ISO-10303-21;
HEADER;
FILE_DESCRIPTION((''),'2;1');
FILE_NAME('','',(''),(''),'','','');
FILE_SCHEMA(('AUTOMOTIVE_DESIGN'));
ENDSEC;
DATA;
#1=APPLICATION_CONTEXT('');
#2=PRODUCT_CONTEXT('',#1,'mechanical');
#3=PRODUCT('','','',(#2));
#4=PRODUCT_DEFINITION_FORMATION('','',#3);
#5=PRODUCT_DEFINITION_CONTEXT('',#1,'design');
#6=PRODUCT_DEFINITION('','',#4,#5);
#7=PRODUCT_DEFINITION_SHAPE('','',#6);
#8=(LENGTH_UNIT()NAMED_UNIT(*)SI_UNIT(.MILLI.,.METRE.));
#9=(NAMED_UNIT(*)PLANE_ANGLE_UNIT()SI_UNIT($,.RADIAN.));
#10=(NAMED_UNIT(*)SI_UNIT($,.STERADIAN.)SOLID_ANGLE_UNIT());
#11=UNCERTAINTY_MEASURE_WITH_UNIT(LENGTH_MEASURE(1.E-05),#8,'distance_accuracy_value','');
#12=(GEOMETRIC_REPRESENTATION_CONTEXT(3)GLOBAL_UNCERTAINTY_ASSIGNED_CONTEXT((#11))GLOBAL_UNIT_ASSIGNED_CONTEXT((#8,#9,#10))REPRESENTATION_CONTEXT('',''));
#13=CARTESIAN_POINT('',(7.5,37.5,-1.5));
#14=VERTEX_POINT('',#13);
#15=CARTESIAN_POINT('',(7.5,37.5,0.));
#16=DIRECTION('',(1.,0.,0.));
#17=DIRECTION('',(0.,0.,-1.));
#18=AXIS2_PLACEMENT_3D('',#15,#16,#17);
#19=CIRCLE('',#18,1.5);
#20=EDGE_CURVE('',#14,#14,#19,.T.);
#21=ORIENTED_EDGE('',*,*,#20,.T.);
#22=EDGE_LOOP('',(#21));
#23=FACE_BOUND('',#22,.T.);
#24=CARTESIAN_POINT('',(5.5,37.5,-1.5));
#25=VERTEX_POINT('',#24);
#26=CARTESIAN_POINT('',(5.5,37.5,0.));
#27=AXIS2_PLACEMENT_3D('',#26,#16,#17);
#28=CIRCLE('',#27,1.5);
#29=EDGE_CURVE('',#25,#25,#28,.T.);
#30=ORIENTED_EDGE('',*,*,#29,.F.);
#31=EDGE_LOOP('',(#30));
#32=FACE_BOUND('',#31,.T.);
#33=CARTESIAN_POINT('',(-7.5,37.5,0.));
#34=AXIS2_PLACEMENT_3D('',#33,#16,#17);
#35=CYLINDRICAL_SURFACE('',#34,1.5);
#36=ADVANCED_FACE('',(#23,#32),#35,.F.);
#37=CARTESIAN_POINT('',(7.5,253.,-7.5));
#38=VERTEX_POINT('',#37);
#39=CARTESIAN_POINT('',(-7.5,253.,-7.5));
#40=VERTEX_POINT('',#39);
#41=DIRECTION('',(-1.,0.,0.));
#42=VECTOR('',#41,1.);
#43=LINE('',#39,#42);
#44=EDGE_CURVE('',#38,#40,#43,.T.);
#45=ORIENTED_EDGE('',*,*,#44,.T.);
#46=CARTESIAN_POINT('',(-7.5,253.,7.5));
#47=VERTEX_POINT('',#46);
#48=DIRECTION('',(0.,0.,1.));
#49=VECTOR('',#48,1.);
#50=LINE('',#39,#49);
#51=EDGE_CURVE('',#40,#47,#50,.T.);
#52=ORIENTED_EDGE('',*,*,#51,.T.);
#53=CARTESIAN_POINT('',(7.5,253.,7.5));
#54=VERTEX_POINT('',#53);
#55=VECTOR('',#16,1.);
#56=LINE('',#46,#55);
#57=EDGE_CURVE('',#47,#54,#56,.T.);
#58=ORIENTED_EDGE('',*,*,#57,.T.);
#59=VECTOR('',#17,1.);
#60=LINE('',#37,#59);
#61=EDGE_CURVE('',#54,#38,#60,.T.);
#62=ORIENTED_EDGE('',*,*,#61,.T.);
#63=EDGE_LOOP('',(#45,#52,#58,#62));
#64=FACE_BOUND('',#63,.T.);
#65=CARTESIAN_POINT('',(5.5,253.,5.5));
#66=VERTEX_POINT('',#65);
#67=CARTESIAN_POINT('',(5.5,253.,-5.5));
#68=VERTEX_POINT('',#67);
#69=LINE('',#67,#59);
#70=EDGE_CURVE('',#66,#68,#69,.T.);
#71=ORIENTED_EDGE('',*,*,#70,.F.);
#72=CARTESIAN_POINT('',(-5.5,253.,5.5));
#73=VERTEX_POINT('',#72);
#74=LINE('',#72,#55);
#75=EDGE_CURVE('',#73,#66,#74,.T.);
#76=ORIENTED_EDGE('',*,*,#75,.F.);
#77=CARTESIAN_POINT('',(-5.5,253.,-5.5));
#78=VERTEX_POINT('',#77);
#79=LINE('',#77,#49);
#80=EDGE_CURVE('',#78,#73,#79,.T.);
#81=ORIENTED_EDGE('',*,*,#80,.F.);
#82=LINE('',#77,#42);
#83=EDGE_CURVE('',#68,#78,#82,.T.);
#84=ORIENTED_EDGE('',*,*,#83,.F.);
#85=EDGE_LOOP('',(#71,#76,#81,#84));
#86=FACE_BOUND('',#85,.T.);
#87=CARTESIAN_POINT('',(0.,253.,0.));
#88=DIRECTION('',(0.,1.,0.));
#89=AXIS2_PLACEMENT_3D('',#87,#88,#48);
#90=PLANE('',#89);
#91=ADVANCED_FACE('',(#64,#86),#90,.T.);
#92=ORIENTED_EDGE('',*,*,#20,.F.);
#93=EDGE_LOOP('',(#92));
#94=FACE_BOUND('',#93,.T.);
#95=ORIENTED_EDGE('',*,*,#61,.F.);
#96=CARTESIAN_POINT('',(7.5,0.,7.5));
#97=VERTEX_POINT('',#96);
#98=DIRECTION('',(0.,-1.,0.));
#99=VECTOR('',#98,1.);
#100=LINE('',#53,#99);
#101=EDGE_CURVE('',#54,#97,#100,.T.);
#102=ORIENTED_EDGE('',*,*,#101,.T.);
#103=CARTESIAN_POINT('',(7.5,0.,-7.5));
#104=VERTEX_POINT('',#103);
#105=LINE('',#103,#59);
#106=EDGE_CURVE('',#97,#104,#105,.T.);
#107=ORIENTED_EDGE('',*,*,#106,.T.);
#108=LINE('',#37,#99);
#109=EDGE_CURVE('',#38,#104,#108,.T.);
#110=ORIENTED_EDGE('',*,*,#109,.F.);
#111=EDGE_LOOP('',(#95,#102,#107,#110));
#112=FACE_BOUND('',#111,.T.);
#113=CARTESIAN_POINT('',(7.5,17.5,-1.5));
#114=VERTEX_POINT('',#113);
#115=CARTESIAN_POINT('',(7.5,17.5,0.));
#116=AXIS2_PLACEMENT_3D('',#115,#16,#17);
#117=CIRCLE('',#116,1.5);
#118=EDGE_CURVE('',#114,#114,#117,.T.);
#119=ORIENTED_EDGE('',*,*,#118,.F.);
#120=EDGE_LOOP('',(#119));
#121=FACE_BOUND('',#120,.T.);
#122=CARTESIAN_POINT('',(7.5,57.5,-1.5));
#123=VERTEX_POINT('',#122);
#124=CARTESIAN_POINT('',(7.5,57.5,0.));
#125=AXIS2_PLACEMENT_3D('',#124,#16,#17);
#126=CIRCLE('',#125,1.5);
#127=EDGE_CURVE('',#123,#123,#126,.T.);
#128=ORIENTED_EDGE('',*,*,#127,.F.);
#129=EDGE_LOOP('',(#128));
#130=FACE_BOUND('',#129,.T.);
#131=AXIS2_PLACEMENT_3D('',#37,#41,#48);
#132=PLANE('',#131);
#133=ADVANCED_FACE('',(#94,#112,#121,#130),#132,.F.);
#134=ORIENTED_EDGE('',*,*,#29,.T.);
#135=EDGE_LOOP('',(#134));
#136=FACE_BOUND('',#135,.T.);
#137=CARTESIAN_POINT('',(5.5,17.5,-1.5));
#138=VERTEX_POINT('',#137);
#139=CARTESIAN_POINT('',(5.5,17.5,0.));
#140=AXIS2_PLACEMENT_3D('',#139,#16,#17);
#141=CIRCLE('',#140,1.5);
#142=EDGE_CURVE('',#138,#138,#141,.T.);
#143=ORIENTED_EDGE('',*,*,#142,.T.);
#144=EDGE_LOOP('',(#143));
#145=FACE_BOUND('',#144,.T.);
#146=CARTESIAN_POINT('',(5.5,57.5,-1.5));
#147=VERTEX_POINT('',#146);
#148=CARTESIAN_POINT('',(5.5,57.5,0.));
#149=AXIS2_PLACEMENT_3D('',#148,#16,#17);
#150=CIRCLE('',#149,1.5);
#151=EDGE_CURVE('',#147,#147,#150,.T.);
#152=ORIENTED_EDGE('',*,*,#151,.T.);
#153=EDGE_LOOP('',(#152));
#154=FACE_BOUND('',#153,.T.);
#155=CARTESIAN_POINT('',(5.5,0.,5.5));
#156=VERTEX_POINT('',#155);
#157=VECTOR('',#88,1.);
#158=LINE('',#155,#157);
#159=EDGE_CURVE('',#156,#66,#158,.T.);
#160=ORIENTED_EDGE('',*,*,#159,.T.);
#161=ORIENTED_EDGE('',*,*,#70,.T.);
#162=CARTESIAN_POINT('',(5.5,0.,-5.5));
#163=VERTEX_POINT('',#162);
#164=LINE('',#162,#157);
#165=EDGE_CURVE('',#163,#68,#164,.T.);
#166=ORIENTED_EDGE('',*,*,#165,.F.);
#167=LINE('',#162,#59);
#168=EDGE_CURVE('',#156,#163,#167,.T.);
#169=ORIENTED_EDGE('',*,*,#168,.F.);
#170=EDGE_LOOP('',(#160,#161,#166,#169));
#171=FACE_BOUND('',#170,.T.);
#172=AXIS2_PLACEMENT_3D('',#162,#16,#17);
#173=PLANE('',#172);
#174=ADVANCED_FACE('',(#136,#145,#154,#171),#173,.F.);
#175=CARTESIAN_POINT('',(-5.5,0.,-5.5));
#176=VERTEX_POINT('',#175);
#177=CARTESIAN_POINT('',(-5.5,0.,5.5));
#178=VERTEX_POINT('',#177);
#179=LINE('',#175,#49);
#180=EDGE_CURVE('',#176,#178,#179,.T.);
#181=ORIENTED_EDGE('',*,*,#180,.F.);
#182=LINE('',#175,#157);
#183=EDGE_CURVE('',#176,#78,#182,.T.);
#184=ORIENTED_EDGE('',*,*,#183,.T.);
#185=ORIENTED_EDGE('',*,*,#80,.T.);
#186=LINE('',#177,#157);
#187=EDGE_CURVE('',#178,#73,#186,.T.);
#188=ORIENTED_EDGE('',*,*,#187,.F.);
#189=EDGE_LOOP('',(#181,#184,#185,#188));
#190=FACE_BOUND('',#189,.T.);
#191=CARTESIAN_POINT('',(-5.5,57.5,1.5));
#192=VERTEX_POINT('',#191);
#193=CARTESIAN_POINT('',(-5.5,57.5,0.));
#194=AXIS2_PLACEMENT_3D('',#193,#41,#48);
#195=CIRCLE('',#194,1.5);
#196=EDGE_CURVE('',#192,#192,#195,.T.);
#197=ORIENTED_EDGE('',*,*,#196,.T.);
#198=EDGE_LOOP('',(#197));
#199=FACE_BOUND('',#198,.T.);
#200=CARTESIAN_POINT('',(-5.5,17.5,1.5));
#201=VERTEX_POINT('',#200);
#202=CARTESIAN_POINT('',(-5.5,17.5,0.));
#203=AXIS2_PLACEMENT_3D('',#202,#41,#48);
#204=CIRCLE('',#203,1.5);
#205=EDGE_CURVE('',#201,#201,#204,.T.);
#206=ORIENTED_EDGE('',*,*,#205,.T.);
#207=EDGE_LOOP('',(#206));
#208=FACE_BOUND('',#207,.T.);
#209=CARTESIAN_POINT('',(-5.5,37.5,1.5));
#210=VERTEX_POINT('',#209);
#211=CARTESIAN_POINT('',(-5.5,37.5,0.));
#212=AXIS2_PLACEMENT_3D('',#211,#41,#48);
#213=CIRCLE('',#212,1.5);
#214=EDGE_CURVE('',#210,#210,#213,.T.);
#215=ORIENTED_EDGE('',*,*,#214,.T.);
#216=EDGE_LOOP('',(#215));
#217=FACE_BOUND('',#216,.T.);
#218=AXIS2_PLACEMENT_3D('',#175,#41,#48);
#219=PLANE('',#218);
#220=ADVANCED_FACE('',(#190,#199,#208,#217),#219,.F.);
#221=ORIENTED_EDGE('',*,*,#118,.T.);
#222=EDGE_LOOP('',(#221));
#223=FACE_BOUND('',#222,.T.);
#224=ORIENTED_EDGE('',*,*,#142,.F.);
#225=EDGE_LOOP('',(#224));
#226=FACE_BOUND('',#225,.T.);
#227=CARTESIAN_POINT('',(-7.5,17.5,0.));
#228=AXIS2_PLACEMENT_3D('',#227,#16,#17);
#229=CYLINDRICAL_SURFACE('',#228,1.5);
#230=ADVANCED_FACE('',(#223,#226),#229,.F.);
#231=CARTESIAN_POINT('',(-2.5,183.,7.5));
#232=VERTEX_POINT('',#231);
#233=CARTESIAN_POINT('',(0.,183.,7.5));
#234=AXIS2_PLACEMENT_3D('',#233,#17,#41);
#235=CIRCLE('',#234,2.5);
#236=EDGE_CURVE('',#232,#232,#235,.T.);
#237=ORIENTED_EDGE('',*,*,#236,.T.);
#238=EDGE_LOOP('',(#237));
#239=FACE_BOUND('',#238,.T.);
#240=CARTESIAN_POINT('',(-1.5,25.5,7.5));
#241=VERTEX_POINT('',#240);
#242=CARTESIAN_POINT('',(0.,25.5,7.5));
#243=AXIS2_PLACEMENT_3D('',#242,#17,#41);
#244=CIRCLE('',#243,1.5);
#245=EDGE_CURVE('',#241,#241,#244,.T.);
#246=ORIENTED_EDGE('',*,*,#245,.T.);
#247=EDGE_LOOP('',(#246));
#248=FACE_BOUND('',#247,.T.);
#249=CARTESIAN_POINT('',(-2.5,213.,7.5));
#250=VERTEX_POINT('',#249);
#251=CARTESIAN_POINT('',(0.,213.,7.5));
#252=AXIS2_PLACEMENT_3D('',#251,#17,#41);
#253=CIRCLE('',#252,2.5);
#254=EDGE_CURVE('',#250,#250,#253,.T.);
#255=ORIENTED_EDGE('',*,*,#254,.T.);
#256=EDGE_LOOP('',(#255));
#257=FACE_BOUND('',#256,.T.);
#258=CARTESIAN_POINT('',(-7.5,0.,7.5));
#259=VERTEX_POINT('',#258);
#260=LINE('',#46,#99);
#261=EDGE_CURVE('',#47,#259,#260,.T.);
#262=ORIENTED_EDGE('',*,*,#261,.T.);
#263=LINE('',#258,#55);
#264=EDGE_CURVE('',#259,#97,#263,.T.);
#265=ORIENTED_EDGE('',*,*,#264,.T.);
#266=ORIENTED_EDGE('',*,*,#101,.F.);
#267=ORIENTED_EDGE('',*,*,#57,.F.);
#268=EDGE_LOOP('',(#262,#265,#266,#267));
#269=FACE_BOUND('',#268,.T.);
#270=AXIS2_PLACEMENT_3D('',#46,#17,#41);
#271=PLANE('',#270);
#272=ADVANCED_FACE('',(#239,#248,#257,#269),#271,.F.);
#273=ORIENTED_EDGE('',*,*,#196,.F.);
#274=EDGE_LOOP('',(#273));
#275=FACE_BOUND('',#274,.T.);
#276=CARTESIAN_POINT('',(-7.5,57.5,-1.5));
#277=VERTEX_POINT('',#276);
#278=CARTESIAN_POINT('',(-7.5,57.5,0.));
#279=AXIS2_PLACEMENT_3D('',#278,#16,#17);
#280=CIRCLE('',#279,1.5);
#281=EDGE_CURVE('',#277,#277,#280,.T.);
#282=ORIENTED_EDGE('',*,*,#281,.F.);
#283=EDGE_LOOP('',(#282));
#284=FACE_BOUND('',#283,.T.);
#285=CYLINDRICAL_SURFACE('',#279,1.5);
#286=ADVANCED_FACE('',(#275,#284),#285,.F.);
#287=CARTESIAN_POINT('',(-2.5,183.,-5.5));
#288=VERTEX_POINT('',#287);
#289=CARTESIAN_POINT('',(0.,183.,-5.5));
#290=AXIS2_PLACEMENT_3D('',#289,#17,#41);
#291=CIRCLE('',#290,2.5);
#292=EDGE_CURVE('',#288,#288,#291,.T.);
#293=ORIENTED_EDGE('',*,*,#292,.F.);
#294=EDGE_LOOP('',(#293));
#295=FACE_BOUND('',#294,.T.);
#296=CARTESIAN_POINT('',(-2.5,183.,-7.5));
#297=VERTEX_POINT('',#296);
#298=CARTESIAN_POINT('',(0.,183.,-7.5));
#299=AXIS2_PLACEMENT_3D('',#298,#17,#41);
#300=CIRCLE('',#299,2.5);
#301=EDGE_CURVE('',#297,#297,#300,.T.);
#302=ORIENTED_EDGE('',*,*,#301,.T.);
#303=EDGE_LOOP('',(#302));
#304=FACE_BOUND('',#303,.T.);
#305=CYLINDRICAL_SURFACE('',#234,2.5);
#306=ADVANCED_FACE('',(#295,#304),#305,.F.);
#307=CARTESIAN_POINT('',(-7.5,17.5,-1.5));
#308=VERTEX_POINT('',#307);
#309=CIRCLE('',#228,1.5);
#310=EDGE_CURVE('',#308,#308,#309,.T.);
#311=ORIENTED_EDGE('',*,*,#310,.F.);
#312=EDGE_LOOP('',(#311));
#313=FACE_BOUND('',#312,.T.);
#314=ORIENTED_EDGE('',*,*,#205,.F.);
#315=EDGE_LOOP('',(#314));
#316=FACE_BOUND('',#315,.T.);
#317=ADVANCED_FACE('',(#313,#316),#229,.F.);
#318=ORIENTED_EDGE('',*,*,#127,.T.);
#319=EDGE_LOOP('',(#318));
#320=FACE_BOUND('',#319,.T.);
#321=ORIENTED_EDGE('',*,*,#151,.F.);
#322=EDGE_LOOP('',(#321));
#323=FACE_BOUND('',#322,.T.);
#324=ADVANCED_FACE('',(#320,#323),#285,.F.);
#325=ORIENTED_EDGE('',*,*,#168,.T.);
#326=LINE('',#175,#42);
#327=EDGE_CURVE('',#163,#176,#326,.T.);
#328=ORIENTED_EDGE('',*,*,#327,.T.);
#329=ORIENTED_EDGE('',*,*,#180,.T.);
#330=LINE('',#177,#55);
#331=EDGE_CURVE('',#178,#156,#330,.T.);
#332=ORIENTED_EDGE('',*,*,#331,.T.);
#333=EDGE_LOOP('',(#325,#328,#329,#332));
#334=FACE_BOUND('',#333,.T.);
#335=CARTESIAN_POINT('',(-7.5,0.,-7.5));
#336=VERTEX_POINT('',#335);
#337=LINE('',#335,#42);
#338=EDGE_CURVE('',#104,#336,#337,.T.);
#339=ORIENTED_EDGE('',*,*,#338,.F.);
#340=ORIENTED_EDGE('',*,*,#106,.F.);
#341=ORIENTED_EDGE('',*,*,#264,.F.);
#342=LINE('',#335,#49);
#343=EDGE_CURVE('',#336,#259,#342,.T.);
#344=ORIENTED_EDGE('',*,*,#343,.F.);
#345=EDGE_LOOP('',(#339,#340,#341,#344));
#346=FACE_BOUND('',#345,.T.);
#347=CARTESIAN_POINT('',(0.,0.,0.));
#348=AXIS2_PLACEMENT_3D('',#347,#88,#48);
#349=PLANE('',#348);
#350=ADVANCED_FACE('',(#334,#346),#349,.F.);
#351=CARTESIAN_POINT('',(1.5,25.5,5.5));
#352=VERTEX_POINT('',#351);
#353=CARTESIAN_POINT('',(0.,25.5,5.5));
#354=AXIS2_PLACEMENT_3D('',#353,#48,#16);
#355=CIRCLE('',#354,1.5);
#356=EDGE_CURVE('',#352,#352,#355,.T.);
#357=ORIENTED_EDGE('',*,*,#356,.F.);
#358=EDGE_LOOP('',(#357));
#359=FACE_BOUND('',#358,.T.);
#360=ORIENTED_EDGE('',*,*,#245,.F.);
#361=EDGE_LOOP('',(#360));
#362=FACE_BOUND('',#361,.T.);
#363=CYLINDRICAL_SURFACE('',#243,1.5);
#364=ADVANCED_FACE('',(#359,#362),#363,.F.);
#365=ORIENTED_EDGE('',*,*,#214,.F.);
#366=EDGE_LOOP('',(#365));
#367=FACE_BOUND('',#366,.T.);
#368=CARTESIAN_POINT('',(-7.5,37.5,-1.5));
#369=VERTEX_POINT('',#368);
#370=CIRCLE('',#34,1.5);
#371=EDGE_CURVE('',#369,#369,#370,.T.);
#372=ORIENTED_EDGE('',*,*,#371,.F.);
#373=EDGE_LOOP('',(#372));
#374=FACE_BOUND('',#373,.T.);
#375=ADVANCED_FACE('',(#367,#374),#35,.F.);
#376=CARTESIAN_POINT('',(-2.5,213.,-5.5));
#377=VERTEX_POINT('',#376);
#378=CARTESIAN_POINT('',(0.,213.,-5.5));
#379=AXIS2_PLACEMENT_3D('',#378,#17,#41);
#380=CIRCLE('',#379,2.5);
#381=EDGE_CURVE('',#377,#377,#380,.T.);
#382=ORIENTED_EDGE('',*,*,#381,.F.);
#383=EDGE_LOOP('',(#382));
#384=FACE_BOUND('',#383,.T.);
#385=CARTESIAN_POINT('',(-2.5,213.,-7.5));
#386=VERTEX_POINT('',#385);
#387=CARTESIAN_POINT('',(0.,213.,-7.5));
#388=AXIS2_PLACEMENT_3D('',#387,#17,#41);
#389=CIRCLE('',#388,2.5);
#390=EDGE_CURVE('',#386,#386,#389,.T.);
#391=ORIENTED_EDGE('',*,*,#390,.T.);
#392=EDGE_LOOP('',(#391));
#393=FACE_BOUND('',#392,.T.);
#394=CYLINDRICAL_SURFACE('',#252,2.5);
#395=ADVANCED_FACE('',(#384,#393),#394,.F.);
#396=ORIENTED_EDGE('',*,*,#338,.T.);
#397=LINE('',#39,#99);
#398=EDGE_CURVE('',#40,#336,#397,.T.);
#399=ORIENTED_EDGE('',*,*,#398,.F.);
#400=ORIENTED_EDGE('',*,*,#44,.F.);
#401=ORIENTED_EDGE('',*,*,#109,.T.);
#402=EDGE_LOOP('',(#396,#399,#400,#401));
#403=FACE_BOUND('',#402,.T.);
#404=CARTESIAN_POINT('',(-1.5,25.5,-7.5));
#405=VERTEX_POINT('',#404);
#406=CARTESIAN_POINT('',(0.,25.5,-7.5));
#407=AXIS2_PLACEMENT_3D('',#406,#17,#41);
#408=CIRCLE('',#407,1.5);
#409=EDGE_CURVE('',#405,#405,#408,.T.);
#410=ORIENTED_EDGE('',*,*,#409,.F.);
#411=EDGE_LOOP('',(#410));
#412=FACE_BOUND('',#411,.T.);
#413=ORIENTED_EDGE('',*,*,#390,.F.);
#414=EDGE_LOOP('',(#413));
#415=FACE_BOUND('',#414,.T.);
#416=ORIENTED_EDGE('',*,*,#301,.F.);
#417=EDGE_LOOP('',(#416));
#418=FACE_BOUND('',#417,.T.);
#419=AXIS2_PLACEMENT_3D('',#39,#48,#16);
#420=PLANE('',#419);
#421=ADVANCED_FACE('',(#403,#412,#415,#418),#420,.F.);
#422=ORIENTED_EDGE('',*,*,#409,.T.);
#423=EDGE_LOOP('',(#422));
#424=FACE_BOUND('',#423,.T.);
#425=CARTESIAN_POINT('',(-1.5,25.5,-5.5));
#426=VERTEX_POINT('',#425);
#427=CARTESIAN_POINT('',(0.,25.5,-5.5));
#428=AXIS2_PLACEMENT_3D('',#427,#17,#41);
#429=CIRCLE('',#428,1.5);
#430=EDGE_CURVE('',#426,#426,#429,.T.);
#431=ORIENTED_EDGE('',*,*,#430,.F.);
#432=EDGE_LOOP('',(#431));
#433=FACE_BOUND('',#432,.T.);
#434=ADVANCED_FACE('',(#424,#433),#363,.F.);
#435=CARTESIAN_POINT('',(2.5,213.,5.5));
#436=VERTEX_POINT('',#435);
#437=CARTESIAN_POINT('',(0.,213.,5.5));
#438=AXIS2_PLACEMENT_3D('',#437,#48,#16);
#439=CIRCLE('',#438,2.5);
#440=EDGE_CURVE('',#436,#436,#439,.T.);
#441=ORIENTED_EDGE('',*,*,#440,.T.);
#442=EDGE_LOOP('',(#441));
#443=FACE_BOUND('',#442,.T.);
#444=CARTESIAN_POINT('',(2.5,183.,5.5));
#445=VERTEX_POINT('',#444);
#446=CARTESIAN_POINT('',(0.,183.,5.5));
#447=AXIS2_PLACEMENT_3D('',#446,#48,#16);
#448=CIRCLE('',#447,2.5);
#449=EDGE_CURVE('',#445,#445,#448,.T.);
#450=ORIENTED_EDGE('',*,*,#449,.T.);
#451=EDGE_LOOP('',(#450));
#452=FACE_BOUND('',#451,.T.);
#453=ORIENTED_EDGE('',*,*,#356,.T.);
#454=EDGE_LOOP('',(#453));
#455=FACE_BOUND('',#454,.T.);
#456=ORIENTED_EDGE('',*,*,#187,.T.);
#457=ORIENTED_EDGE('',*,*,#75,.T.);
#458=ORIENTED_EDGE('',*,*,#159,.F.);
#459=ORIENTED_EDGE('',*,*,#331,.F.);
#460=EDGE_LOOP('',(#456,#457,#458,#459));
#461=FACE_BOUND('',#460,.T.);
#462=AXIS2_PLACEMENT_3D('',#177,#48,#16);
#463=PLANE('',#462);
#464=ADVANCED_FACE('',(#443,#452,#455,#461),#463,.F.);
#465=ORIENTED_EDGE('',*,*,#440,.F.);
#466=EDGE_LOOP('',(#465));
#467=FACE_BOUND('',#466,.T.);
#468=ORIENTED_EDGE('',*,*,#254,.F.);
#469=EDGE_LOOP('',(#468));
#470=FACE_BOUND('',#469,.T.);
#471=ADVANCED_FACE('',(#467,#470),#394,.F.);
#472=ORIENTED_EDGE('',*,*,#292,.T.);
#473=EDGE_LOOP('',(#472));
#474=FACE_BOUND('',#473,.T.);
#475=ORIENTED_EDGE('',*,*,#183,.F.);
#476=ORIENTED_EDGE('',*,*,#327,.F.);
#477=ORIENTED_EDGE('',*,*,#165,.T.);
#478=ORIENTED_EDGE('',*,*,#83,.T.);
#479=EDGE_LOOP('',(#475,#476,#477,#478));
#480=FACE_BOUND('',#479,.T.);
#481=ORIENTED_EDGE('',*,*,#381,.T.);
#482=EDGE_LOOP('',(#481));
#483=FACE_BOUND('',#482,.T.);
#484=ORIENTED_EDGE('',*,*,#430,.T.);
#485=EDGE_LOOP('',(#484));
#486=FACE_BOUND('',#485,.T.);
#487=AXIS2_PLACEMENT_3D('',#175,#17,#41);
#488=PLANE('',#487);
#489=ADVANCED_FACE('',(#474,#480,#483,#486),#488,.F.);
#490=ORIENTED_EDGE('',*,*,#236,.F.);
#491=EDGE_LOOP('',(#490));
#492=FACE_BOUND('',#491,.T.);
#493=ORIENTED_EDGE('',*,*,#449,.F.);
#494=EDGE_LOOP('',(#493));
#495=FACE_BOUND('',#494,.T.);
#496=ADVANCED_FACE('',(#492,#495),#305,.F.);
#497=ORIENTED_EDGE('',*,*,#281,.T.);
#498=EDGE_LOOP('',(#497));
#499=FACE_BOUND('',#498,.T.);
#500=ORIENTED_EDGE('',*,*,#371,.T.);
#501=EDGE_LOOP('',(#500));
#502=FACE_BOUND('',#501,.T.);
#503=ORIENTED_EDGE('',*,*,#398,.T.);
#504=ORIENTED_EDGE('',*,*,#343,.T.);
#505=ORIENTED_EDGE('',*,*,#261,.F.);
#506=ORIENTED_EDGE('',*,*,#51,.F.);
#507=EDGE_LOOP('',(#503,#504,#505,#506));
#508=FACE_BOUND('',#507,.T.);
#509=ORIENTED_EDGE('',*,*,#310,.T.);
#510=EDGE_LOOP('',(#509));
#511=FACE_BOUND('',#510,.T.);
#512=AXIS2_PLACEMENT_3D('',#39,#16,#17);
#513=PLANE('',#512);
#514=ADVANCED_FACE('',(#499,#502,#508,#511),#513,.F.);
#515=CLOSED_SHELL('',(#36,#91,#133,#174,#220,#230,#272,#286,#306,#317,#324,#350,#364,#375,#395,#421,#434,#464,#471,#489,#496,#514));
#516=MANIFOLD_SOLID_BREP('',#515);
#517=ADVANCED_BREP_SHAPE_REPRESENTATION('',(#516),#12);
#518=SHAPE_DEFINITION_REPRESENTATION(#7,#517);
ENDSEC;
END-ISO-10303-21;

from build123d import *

# Parameters (mm, degrees)
SKETCH_1_W          = 15
SKETCH_1_H          = 15
EXTRUDE_1_DEPTH     = 253
SKETCH_2_W          = 11
SKETCH_2_H          = 11
CUT_EXTRUDE_1_DEPTH = 253
SKETCH_3_R          = 1.5
CUT_EXTRUDE_2_DEPTH = 15
SKETCH_4_R          = 1.5
CUT_EXTRUDE_3_DEPTH = 15
SKETCH_5_R          = 2.5
CUT_EXTRUDE_4_DEPTH = 15


with BuildPart() as part:
    # 草图1 → 凸台-拉伸1 (new body)
    with BuildSketch(Plane(origin=(0, 0, 0), x_dir=(1, 0, 0), z_dir=(0, 1, 0))):
        Rectangle(SKETCH_1_W, SKETCH_1_H)
    extrude(amount=EXTRUDE_1_DEPTH)

    # 草图2 → 切除-拉伸1 (cut)
    with BuildSketch(Plane(origin=(0, 253, 0), x_dir=(1, 0, 0), z_dir=(0, 1, 0))):
        Rectangle(SKETCH_2_W, SKETCH_2_H)
    extrude(amount=-CUT_EXTRUDE_1_DEPTH, mode=Mode.SUBTRACT)

    # 草图3 → 切除-拉伸2 (cut)
    with BuildSketch(Plane(origin=(7.5, 0, 0), x_dir=(0, 0, -1), z_dir=(1, 0, 0))):
        with Locations((0, 17.5)):
            Circle(SKETCH_3_R)
        with Locations((0, 37.5)):
            Circle(SKETCH_3_R)
        with Locations((0, 57.5)):
            Circle(SKETCH_3_R)
    extrude(amount=-CUT_EXTRUDE_2_DEPTH, mode=Mode.SUBTRACT)

    # 草图4 → 切除-拉伸3 (cut)
    with BuildSketch(Plane(origin=(0, 0, -7.5), x_dir=(-1, 0, 0), z_dir=(0, 0, -1))):
        with Locations((0, 25.5)):
            Circle(SKETCH_4_R)
    extrude(amount=-CUT_EXTRUDE_3_DEPTH, mode=Mode.SUBTRACT)

    # 草图5 → 切除-拉伸4 (cut)
    with BuildSketch(Plane(origin=(0, 0, -7.5), x_dir=(-1, 0, 0), z_dir=(0, 0, -1))):
        with Locations((0, 213)):
            Circle(SKETCH_5_R)
        with Locations((0, 183)):
            Circle(SKETCH_5_R)
    extrude(amount=-CUT_EXTRUDE_4_DEPTH, mode=Mode.SUBTRACT)


solid = part.part
